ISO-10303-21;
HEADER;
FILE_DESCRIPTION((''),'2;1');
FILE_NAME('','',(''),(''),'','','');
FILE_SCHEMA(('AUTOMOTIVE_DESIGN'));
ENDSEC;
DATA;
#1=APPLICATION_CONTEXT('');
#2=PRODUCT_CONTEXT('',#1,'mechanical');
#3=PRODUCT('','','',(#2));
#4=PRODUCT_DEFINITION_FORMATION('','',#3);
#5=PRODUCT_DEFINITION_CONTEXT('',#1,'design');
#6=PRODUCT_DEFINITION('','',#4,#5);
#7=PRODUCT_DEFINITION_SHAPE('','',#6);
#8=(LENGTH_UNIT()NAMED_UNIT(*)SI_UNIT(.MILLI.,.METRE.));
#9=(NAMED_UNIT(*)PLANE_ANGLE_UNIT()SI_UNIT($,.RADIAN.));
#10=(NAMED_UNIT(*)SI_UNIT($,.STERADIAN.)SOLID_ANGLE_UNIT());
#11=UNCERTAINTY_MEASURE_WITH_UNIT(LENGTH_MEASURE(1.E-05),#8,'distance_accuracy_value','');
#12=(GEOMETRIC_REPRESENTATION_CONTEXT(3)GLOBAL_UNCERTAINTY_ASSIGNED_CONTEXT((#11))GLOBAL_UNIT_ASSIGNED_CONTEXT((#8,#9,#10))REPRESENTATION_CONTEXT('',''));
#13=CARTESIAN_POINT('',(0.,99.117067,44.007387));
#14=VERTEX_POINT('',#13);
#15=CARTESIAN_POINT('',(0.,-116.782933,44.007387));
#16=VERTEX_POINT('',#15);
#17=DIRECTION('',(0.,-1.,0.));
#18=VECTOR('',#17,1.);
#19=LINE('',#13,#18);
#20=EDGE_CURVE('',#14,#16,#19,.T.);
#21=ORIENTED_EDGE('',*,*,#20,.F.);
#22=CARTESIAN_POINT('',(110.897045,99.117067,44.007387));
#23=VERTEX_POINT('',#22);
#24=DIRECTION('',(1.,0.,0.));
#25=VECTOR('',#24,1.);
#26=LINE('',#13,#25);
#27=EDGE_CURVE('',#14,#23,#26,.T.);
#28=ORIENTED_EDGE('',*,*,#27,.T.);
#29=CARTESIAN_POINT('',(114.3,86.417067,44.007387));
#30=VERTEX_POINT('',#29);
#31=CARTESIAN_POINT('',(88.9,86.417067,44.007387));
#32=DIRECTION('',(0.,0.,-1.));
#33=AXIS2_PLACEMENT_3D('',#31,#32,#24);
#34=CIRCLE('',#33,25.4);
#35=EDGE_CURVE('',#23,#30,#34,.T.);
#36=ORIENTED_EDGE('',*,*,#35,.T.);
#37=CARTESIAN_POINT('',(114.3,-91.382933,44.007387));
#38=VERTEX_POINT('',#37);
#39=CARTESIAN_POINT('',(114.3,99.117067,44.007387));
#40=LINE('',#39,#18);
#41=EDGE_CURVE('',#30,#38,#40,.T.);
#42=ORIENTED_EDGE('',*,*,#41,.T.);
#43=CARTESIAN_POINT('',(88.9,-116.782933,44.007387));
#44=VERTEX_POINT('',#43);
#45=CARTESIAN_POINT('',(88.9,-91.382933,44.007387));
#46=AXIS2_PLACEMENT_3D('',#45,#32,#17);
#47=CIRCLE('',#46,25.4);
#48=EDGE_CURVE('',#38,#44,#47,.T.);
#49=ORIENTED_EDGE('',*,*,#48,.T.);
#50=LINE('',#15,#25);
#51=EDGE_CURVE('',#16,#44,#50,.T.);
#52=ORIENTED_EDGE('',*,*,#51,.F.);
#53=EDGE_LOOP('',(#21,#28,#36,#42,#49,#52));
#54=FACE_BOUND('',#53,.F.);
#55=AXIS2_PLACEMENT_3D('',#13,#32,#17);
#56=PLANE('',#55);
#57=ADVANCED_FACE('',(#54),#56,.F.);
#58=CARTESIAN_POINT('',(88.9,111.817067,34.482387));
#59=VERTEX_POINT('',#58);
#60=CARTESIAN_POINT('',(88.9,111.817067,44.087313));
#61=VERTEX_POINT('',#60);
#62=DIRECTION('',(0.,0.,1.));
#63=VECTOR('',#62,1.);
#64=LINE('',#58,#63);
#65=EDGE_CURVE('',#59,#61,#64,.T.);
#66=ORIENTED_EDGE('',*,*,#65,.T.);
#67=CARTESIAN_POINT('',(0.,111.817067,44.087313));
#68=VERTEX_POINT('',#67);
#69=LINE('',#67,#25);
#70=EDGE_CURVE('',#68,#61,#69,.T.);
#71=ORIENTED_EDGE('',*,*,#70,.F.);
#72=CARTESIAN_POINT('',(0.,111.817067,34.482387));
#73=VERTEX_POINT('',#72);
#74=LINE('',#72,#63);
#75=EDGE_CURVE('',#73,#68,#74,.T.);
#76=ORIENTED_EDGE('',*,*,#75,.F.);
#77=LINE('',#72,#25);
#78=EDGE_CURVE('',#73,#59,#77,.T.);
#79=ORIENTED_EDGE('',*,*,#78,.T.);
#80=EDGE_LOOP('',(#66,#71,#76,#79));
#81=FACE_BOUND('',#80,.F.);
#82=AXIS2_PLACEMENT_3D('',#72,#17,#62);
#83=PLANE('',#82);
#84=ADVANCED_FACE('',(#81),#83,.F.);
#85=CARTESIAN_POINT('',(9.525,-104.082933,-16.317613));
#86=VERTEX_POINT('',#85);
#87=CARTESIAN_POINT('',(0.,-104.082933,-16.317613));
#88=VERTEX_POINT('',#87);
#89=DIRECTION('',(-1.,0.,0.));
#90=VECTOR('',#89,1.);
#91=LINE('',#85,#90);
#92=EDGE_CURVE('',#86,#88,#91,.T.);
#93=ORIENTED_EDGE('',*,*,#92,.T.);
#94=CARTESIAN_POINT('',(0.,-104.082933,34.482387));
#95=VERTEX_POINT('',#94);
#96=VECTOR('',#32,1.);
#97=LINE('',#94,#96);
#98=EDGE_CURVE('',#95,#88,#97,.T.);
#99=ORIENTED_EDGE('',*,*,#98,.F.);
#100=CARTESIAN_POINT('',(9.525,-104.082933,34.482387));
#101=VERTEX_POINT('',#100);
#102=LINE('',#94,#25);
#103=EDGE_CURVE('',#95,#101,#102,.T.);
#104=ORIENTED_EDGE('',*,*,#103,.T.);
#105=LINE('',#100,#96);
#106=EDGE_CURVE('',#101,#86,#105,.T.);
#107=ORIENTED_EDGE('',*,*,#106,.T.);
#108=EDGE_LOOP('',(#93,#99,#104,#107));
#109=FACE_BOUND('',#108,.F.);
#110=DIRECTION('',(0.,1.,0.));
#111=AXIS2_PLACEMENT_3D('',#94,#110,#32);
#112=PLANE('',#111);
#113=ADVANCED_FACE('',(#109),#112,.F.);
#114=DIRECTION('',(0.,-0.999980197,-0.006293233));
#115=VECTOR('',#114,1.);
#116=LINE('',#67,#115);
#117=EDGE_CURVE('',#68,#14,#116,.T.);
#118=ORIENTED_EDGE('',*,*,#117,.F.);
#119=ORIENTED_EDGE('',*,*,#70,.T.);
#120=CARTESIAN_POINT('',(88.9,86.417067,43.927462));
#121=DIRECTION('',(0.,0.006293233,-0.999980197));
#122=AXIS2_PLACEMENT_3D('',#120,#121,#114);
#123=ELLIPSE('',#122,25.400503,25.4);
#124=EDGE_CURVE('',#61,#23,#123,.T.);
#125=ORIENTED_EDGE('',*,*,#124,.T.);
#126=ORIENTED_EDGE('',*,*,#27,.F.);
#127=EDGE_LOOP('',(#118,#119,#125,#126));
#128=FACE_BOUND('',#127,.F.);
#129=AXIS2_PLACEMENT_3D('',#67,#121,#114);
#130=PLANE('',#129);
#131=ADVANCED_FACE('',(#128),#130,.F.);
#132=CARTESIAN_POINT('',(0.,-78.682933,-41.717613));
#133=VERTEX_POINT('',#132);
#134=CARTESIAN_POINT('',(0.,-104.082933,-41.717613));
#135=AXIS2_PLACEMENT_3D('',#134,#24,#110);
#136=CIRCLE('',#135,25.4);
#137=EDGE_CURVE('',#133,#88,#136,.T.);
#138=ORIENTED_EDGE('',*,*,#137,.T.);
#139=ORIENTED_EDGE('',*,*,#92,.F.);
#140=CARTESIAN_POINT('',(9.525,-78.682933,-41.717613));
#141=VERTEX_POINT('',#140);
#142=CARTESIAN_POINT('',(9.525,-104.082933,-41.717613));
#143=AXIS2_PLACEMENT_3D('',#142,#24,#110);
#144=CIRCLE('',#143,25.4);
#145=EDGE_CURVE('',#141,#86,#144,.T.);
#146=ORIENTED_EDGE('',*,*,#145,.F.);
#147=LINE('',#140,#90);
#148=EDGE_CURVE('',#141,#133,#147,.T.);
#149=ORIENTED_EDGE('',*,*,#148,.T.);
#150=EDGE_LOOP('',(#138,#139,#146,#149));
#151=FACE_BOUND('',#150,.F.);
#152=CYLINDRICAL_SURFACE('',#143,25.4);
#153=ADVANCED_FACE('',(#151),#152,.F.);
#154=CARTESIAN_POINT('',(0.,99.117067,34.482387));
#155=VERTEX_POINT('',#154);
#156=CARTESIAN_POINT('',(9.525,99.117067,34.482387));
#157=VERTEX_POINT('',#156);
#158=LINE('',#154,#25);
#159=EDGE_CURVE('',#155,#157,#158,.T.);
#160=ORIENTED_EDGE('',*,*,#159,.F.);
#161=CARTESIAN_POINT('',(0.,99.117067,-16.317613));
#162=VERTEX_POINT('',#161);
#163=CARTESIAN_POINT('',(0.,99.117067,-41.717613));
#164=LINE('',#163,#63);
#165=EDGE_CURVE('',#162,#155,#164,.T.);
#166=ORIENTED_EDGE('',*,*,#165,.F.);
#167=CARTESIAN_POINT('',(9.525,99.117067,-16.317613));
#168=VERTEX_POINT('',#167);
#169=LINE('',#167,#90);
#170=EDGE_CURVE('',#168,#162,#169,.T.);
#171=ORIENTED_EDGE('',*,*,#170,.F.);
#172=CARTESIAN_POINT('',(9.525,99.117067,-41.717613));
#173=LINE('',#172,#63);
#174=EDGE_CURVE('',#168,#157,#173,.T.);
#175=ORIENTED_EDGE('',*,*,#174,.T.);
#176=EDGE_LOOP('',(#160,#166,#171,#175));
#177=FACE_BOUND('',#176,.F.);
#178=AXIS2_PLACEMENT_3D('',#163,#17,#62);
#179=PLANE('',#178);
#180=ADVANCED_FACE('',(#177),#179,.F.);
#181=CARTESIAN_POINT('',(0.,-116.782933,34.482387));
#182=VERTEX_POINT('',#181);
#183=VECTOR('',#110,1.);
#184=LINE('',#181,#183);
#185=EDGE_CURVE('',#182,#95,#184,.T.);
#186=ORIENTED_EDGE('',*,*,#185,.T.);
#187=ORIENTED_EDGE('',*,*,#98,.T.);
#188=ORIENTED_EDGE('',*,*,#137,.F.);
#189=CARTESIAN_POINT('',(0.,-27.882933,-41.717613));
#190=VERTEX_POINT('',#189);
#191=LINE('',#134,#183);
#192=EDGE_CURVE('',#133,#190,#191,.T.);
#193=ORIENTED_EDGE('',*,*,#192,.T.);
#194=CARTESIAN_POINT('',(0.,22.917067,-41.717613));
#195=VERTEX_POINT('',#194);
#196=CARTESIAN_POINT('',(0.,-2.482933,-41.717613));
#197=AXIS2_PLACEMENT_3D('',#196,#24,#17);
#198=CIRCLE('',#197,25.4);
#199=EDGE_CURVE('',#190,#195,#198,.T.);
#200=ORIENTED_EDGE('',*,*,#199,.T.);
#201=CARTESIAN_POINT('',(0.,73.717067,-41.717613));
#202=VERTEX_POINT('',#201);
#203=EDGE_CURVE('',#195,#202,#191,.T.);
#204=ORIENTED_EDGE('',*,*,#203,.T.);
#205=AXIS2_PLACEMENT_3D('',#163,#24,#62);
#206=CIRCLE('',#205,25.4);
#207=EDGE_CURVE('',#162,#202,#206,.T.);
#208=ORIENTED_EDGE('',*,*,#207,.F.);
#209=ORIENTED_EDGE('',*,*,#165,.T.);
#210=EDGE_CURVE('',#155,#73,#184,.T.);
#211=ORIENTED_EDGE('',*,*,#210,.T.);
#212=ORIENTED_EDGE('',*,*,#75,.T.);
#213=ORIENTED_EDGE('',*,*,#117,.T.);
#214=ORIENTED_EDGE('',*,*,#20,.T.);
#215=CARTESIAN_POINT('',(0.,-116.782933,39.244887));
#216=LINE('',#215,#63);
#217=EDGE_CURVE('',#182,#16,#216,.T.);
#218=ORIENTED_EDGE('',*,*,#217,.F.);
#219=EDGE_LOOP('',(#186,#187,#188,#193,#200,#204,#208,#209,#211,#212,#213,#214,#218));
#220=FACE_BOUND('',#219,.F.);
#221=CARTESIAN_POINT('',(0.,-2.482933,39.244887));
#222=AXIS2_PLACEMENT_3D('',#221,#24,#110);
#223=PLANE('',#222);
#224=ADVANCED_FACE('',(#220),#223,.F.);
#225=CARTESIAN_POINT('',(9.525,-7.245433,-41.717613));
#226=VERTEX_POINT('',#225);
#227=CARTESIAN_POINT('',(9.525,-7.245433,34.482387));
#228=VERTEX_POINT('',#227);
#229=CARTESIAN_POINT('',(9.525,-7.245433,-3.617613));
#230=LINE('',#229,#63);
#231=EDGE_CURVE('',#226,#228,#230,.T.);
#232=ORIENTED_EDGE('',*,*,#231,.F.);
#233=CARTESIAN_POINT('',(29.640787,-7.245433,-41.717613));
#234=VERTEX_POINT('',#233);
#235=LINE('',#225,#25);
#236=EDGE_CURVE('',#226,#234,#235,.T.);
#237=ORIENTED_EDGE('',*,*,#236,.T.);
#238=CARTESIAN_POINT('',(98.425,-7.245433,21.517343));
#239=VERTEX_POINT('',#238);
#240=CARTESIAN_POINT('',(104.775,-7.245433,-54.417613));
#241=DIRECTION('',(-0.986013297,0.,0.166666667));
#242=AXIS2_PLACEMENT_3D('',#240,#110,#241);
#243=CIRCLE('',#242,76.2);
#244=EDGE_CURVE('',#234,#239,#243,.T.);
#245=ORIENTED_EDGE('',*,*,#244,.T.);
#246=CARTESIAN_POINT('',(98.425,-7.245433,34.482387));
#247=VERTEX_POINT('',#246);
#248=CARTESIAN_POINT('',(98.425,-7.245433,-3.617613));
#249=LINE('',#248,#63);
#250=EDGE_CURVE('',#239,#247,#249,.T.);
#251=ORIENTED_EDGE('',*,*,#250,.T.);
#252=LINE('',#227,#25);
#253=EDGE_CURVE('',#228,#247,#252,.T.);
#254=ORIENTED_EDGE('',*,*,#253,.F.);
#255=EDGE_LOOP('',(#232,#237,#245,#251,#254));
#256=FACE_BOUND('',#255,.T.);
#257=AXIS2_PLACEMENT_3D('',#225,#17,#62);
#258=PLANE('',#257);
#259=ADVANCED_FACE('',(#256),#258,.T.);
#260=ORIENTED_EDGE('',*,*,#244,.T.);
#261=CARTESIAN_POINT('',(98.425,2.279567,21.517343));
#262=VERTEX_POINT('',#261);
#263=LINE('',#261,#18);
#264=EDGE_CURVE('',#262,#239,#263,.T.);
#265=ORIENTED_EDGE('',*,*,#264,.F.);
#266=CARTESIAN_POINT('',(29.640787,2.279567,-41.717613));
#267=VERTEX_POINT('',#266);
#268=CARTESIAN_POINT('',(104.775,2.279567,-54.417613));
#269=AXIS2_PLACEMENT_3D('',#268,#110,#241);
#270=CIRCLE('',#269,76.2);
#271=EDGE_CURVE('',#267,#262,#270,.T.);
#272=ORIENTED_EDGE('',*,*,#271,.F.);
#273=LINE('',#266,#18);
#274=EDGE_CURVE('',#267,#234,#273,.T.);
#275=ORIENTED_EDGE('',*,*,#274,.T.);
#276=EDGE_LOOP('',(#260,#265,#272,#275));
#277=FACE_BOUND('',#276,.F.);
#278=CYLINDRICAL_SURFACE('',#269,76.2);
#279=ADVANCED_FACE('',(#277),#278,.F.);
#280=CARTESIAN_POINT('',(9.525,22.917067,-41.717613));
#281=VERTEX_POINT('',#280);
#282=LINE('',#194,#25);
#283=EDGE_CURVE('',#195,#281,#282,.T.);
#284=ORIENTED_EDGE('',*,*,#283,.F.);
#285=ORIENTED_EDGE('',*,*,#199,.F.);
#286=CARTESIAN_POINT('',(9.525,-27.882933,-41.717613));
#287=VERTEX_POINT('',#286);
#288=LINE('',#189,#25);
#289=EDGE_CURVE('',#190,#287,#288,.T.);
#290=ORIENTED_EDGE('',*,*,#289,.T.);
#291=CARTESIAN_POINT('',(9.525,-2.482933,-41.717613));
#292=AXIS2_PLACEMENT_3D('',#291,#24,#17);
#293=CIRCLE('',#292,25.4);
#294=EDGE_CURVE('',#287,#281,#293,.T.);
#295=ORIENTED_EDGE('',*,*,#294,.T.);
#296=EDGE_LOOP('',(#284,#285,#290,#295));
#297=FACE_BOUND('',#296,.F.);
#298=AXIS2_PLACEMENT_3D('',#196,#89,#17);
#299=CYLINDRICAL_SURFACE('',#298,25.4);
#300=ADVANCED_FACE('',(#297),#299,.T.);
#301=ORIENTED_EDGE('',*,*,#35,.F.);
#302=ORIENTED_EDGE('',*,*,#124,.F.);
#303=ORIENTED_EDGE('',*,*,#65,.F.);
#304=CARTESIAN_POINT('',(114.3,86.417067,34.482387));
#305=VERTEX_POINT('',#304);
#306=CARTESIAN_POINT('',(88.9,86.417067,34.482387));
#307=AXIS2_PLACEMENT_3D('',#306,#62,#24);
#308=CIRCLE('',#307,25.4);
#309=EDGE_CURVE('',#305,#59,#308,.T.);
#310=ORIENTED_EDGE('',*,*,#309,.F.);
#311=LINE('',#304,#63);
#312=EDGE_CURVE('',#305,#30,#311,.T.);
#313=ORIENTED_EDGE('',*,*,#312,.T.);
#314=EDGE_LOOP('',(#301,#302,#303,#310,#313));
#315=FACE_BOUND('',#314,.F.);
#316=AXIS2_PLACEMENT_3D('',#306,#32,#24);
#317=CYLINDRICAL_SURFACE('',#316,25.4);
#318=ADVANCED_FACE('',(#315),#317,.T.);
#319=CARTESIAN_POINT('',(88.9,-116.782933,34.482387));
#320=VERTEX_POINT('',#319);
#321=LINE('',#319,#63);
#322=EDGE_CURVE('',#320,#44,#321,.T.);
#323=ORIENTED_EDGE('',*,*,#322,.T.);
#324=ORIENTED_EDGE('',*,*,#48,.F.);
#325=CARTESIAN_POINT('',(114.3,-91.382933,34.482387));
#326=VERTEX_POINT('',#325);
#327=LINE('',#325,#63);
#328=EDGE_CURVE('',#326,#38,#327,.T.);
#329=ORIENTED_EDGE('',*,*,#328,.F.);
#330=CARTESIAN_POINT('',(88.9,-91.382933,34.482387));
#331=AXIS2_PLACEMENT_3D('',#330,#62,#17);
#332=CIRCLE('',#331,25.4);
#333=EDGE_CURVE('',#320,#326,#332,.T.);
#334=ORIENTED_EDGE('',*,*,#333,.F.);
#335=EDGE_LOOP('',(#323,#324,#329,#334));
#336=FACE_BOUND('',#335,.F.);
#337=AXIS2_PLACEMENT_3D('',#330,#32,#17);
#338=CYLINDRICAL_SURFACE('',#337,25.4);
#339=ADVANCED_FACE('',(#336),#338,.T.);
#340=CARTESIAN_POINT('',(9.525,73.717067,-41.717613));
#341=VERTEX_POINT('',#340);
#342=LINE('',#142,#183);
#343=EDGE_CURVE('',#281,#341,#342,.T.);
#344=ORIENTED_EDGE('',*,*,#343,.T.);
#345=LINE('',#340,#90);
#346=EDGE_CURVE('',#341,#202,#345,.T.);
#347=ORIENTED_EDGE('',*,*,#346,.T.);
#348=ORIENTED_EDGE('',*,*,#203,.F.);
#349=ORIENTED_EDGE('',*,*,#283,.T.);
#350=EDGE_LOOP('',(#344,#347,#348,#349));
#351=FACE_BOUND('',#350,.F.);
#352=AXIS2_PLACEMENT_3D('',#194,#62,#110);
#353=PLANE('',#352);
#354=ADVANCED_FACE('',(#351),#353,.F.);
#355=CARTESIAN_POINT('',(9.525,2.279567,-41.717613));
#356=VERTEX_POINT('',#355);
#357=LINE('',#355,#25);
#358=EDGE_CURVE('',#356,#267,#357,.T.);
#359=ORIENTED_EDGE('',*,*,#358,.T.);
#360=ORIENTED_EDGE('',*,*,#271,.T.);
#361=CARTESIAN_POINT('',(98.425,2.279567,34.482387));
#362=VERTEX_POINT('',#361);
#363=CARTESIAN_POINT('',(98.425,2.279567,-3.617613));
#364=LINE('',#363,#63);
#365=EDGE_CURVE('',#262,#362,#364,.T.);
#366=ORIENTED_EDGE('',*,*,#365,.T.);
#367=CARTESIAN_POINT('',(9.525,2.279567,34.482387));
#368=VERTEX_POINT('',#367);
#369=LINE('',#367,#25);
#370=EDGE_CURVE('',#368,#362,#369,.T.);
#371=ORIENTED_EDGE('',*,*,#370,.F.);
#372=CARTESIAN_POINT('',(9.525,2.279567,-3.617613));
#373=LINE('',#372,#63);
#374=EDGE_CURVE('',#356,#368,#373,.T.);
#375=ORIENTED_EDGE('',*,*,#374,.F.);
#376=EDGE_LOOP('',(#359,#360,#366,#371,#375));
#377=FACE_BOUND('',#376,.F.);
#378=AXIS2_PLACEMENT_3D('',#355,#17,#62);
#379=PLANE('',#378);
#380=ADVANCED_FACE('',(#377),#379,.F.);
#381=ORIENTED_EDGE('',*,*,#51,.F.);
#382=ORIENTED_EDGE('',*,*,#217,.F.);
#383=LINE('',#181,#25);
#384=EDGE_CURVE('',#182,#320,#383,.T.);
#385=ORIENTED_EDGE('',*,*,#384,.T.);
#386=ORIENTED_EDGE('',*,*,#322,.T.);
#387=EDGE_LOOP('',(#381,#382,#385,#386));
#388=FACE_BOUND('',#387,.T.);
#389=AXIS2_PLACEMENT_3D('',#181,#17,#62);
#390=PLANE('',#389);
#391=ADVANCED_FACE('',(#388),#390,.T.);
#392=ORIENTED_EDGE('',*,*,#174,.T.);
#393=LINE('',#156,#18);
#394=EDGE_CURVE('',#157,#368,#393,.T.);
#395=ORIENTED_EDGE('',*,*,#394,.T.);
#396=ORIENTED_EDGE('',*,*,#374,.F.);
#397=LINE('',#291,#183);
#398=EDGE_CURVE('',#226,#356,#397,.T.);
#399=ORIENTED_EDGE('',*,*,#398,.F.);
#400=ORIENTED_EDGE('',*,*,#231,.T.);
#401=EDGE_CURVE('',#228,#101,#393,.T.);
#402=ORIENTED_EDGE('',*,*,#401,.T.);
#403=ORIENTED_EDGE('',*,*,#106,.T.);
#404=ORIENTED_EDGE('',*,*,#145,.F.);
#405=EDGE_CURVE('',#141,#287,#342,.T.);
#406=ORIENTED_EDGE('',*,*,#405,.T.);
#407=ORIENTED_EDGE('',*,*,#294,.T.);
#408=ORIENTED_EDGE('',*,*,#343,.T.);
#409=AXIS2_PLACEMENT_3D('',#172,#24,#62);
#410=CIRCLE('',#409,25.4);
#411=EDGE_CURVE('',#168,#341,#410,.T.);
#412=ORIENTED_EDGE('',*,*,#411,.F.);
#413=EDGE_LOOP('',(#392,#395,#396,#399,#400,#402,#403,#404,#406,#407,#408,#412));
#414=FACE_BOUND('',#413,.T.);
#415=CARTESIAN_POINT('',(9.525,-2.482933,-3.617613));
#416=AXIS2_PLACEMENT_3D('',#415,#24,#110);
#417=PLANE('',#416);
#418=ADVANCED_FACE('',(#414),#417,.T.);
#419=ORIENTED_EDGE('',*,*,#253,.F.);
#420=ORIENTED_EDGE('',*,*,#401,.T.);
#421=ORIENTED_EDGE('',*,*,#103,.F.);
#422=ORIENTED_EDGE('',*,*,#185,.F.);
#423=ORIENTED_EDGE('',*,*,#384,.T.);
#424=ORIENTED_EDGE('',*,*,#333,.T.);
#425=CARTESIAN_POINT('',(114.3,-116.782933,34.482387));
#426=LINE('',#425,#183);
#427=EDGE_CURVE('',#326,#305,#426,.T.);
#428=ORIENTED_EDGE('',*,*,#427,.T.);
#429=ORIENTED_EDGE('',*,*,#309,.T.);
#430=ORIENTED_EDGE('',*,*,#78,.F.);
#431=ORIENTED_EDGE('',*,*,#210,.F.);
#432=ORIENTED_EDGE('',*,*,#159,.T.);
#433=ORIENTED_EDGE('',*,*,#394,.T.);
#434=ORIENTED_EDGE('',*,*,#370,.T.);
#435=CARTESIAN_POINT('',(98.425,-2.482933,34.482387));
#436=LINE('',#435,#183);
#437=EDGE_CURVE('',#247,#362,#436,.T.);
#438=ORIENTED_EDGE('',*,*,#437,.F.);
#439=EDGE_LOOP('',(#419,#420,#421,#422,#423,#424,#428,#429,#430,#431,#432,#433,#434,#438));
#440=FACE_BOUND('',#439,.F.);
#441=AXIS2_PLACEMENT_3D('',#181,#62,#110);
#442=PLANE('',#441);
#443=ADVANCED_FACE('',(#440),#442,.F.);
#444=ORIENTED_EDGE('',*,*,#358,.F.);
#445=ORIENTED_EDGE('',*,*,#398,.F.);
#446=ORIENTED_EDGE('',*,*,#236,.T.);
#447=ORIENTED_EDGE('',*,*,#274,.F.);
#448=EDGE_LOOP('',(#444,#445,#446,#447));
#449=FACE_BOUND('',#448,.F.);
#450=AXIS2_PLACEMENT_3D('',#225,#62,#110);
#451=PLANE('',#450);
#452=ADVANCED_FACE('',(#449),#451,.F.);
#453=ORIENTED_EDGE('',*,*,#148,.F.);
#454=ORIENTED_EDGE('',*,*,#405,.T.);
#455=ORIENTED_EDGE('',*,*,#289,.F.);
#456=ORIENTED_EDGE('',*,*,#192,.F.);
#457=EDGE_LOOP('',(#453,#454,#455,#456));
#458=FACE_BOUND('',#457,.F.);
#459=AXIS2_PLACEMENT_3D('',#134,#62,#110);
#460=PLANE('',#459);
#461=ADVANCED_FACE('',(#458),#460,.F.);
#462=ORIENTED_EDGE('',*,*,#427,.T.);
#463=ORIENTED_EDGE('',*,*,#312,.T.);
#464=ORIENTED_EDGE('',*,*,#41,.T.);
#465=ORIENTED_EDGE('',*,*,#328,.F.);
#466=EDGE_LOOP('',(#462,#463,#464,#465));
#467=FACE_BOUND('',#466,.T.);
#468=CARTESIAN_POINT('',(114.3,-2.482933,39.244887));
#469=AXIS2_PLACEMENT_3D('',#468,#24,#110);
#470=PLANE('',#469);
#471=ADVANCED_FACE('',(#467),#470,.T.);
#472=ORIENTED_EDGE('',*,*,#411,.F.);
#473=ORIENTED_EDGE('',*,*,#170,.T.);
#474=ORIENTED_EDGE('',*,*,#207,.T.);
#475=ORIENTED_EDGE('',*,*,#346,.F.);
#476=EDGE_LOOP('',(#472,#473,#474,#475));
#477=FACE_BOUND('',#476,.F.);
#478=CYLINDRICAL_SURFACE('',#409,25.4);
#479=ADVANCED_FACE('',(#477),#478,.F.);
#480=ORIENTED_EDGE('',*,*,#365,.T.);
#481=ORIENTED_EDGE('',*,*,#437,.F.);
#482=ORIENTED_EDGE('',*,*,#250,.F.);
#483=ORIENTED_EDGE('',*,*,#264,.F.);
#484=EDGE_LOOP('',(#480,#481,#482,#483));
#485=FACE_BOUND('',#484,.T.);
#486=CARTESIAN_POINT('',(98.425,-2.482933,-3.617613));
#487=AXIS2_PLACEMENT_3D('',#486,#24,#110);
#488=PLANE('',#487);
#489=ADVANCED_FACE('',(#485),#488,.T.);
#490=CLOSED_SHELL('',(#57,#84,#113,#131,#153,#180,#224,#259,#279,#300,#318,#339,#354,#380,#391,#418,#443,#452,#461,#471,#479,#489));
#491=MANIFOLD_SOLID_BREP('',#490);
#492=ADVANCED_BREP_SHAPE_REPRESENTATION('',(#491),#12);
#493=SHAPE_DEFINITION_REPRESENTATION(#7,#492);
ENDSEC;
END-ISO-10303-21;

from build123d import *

# Parameters (mm, degrees)
F0_W      = 203.2
F0_H      = 9.525
F0_W_2    = 12.7
F1_DEPTH  = 114.3
F2_DEPTH  = 9.525
F3_W      = 9.525
F3_H      = 76.2
F4_DEPTH  = 88.9
F6_DEPTH  = 119.0635
F8_DEPTH  = 9.526
F10_DEPTH = 9.6059256377


with BuildPart() as f1:
    # F0 (on Right) → F1 (new body)
    with BuildSketch(Plane.YZ):
        with Locations((-2.4829334736, 39.2448874779)):
            Rectangle(F0_W, F0_H)
        Polygon((99.1170665264, 44.0073874779), (99.1170665264, 34.4823874779), (111.8170665264, 34.4823874779), (111.8170665264, 44.0873131156), align=None)
        with Locations((-110.4329334736, 39.2448874779)):
            Rectangle(F0_W_2, F0_H)
    extrude(amount=F1_DEPTH)

    # F0 (on Right) → F2 (join)
    with BuildSketch(Plane.YZ):
        Polygon((99.1170665264, 34.4823874779), (-104.0829334736, 34.4823874779), (-104.0829334736, -41.7176125221), (-27.8829334736, -41.7176125221), (22.9170665264, -41.7176125221), (99.1170665264, -41.7176125221), align=None)
        with BuildLine():
            Line((22.9170665264, -41.7176125221), (-27.8829334736, -41.7176125221))
            ThreePointArc((-27.8829334736, -41.7176125221), (-2.4829334736, -67.1176125221), (22.9170665264, -41.7176125221))
        make_face()
    extrude(amount=F2_DEPTH)

    # F3 (on face) → F4 (join)
    with BuildSketch(Plane.YZ.offset(9.525)):
        with Locations((-2.4829334736, -3.6176125221)):
            Rectangle(F3_W, F3_H)
    extrude(amount=F4_DEPTH)

    # F5 (on face) → F6 (cut, through all)
    with BuildSketch(Plane(origin=(0, 2.2795665264, 0), x_dir=(-1, 0, 0), z_dir=(0, 1, 0))):
        with BuildLine():
            ThreePointArc((-29.6407867546, -41.7176125221), (-53.2038437376, 1.6792308985), (-98.425, 21.5173431966))
            Line((-98.425, 21.5173431966), (-98.425, -41.7176125221))
            Line((-98.425, -41.7176125221), (-29.6407867546, -41.7176125221))
        make_face()
    extrude(amount=-F6_DEPTH, mode=Mode.SUBTRACT)

    # F7 (on face) → F8 (cut, through all)
    with BuildSketch(Plane.YZ.offset(9.525)):
        with BuildLine():
            Line((-104.0829334736, -41.7176125221), (-78.6829334736, -41.7176125221))
            ThreePointArc((-78.6829334736, -41.7176125221), (-86.1224212314, -23.75710028), (-104.0829334736, -16.3176125221))
            Line((-104.0829334736, -16.3176125221), (-104.0829334736, -41.7176125221))
        make_face()
        with BuildLine():
            Line((99.1170665264, -41.7176125221), (99.1170665264, -16.3176125221))
            ThreePointArc((99.1170665264, -16.3176125221), (81.1565542843, -23.75710028), (73.7170665264, -41.7176125221))
            Line((73.7170665264, -41.7176125221), (99.1170665264, -41.7176125221))
        make_face()
    extrude(amount=-F8_DEPTH, mode=Mode.SUBTRACT)

    # F9 (on face) → F10 (cut, through all)
    with BuildSketch(Plane(origin=(0, 0, 34.4823874779), x_dir=(1, 0, 0), z_dir=(0, 0, -1))):
        with BuildLine():
            ThreePointArc((88.9, 116.7829334736), (106.8605122421, 109.3434457157), (114.3, 91.3829334736))
            Line((114.3, 91.3829334736), (114.3, 116.7829334736))
            Line((114.3, 116.7829334736), (89.5812958479, 116.7829334736))
            Line((89.5812958479, 116.7829334736), (88.9, 116.7829334736))
        make_face()
        with BuildLine():
            Line((114.3, -111.8170665264), (114.3, -86.4170665264))
            ThreePointArc((114.3, -86.4170665264), (106.8605122421, -104.3775787686), (88.9, -111.8170665264))
            Line((88.9, -111.8170665264), (95.8859026432, -111.8170665264))
            Line((95.8859026432, -111.8170665264), (114.3, -111.8170665264))
        make_face()
    extrude(amount=-F10_DEPTH, mode=Mode.SUBTRACT)


solid = f1.part
